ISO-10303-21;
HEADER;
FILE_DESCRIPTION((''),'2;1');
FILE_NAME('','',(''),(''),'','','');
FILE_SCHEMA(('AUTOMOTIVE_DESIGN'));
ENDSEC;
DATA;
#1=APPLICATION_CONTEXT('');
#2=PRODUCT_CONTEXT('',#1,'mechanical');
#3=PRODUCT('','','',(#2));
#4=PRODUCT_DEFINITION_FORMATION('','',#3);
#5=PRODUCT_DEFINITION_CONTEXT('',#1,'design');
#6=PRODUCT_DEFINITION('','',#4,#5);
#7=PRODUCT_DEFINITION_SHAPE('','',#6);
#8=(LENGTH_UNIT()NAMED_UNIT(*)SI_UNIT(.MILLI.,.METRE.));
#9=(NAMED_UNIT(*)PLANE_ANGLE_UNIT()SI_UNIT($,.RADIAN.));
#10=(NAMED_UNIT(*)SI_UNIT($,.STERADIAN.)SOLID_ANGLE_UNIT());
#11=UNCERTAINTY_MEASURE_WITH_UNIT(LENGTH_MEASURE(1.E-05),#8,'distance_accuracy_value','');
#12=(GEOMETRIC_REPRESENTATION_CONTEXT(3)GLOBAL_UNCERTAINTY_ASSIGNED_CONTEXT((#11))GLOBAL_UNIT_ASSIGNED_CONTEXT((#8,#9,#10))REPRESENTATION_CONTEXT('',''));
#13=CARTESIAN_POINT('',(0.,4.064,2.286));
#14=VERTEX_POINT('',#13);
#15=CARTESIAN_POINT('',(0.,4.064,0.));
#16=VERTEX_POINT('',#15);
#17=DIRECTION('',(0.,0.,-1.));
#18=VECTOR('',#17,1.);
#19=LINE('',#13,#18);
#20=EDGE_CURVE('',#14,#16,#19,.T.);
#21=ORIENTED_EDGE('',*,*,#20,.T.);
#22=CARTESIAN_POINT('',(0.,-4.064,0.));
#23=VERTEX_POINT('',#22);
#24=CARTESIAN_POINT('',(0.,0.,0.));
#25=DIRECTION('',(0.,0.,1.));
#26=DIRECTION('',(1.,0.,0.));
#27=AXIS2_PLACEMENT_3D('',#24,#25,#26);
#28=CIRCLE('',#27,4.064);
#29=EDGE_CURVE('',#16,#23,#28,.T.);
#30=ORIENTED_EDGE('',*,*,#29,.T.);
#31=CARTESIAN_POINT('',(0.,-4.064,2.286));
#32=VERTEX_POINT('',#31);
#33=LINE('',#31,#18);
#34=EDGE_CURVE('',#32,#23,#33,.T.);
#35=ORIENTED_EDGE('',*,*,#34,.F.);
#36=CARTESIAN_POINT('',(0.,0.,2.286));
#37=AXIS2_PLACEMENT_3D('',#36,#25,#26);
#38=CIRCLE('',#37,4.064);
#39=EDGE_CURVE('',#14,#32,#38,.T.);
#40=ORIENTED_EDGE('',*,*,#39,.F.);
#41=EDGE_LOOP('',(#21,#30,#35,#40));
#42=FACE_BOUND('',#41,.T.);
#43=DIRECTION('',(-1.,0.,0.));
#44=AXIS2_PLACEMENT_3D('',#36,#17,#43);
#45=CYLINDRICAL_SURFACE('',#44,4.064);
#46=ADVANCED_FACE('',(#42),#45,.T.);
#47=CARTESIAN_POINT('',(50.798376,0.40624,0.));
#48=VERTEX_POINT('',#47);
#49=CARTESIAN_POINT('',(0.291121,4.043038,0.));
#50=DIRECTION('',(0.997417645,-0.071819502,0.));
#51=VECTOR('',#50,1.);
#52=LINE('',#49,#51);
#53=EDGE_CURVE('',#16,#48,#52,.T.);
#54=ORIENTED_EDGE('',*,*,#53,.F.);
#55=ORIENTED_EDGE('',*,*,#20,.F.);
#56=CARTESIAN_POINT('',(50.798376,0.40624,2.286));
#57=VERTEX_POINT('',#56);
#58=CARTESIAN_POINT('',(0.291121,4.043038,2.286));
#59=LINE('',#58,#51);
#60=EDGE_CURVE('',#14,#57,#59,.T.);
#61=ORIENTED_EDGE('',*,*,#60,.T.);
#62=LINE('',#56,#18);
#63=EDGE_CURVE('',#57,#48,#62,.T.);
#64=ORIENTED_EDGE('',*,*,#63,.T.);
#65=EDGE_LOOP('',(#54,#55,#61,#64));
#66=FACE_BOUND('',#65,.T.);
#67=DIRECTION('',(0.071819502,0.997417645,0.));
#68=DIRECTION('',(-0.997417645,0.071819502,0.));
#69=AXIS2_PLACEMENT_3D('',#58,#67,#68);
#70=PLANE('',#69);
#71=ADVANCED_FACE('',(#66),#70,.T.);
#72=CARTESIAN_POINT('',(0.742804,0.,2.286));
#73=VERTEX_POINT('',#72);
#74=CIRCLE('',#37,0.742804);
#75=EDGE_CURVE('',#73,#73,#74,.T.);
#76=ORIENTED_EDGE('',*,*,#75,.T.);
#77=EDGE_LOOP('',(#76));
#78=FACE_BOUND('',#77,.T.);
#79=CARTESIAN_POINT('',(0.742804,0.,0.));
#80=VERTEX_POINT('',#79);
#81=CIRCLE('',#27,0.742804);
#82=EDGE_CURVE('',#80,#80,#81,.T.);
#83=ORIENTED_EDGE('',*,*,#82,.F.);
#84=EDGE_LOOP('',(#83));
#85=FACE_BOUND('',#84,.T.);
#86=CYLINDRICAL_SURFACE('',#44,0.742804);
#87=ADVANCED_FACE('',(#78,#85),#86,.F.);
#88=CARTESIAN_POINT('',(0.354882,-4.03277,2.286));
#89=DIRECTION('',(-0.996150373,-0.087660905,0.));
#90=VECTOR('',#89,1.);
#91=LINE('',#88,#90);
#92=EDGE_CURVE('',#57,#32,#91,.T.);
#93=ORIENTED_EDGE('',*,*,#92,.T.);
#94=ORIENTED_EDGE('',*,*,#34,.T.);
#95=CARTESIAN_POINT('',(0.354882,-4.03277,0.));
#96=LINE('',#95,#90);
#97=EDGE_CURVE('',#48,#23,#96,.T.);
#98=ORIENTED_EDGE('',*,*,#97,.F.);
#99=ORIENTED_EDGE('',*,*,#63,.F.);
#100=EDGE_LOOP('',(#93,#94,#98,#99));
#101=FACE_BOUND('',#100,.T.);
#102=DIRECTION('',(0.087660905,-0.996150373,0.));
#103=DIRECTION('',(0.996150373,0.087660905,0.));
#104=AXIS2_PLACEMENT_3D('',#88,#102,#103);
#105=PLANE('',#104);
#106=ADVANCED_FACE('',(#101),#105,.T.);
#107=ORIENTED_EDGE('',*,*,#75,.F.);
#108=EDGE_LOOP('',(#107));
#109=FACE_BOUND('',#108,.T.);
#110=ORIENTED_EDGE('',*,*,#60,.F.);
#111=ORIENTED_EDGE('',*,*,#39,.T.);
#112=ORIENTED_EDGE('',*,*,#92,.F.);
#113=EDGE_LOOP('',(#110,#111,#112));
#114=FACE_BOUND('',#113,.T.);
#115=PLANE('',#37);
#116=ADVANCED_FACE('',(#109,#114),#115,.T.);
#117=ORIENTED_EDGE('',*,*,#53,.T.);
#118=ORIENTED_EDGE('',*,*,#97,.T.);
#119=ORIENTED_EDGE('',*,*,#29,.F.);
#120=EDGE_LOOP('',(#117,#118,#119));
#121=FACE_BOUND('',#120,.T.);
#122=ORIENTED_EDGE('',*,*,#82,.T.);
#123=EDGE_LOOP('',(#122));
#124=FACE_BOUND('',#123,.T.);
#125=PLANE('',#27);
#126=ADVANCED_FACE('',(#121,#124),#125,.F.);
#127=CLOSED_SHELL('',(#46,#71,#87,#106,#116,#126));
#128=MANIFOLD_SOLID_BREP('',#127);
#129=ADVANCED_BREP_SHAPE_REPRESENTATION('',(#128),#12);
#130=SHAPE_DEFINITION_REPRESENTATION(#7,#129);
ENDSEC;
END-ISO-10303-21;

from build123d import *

# Parameters (mm, degrees)
SKETCH1_R           = 0.742804179
BOSS_EXTRUDE1_DEPTH = 2.286


with BuildPart() as part:
    # Sketch1 → Boss-Extrude1 (new body)
    with BuildSketch(Plane.XY):
        with BuildLine():
            Line((0.582241466, 4.022075444), (0, 4.064))
            ThreePointArc((0, 4.064), (-4.064, 0), (0, -4.064))
            Line((0, -4.064), (0.709764944, -4.001540919))
            Line((0.709764944, -4.001540919), (50.798375651, 0.406240321))
            Line((50.798375651, 0.406240321), (0.582241466, 4.022075444))
        make_face()
        Circle(SKETCH1_R, mode=Mode.SUBTRACT)
    extrude(amount=BOSS_EXTRUDE1_DEPTH)


solid = part.part
